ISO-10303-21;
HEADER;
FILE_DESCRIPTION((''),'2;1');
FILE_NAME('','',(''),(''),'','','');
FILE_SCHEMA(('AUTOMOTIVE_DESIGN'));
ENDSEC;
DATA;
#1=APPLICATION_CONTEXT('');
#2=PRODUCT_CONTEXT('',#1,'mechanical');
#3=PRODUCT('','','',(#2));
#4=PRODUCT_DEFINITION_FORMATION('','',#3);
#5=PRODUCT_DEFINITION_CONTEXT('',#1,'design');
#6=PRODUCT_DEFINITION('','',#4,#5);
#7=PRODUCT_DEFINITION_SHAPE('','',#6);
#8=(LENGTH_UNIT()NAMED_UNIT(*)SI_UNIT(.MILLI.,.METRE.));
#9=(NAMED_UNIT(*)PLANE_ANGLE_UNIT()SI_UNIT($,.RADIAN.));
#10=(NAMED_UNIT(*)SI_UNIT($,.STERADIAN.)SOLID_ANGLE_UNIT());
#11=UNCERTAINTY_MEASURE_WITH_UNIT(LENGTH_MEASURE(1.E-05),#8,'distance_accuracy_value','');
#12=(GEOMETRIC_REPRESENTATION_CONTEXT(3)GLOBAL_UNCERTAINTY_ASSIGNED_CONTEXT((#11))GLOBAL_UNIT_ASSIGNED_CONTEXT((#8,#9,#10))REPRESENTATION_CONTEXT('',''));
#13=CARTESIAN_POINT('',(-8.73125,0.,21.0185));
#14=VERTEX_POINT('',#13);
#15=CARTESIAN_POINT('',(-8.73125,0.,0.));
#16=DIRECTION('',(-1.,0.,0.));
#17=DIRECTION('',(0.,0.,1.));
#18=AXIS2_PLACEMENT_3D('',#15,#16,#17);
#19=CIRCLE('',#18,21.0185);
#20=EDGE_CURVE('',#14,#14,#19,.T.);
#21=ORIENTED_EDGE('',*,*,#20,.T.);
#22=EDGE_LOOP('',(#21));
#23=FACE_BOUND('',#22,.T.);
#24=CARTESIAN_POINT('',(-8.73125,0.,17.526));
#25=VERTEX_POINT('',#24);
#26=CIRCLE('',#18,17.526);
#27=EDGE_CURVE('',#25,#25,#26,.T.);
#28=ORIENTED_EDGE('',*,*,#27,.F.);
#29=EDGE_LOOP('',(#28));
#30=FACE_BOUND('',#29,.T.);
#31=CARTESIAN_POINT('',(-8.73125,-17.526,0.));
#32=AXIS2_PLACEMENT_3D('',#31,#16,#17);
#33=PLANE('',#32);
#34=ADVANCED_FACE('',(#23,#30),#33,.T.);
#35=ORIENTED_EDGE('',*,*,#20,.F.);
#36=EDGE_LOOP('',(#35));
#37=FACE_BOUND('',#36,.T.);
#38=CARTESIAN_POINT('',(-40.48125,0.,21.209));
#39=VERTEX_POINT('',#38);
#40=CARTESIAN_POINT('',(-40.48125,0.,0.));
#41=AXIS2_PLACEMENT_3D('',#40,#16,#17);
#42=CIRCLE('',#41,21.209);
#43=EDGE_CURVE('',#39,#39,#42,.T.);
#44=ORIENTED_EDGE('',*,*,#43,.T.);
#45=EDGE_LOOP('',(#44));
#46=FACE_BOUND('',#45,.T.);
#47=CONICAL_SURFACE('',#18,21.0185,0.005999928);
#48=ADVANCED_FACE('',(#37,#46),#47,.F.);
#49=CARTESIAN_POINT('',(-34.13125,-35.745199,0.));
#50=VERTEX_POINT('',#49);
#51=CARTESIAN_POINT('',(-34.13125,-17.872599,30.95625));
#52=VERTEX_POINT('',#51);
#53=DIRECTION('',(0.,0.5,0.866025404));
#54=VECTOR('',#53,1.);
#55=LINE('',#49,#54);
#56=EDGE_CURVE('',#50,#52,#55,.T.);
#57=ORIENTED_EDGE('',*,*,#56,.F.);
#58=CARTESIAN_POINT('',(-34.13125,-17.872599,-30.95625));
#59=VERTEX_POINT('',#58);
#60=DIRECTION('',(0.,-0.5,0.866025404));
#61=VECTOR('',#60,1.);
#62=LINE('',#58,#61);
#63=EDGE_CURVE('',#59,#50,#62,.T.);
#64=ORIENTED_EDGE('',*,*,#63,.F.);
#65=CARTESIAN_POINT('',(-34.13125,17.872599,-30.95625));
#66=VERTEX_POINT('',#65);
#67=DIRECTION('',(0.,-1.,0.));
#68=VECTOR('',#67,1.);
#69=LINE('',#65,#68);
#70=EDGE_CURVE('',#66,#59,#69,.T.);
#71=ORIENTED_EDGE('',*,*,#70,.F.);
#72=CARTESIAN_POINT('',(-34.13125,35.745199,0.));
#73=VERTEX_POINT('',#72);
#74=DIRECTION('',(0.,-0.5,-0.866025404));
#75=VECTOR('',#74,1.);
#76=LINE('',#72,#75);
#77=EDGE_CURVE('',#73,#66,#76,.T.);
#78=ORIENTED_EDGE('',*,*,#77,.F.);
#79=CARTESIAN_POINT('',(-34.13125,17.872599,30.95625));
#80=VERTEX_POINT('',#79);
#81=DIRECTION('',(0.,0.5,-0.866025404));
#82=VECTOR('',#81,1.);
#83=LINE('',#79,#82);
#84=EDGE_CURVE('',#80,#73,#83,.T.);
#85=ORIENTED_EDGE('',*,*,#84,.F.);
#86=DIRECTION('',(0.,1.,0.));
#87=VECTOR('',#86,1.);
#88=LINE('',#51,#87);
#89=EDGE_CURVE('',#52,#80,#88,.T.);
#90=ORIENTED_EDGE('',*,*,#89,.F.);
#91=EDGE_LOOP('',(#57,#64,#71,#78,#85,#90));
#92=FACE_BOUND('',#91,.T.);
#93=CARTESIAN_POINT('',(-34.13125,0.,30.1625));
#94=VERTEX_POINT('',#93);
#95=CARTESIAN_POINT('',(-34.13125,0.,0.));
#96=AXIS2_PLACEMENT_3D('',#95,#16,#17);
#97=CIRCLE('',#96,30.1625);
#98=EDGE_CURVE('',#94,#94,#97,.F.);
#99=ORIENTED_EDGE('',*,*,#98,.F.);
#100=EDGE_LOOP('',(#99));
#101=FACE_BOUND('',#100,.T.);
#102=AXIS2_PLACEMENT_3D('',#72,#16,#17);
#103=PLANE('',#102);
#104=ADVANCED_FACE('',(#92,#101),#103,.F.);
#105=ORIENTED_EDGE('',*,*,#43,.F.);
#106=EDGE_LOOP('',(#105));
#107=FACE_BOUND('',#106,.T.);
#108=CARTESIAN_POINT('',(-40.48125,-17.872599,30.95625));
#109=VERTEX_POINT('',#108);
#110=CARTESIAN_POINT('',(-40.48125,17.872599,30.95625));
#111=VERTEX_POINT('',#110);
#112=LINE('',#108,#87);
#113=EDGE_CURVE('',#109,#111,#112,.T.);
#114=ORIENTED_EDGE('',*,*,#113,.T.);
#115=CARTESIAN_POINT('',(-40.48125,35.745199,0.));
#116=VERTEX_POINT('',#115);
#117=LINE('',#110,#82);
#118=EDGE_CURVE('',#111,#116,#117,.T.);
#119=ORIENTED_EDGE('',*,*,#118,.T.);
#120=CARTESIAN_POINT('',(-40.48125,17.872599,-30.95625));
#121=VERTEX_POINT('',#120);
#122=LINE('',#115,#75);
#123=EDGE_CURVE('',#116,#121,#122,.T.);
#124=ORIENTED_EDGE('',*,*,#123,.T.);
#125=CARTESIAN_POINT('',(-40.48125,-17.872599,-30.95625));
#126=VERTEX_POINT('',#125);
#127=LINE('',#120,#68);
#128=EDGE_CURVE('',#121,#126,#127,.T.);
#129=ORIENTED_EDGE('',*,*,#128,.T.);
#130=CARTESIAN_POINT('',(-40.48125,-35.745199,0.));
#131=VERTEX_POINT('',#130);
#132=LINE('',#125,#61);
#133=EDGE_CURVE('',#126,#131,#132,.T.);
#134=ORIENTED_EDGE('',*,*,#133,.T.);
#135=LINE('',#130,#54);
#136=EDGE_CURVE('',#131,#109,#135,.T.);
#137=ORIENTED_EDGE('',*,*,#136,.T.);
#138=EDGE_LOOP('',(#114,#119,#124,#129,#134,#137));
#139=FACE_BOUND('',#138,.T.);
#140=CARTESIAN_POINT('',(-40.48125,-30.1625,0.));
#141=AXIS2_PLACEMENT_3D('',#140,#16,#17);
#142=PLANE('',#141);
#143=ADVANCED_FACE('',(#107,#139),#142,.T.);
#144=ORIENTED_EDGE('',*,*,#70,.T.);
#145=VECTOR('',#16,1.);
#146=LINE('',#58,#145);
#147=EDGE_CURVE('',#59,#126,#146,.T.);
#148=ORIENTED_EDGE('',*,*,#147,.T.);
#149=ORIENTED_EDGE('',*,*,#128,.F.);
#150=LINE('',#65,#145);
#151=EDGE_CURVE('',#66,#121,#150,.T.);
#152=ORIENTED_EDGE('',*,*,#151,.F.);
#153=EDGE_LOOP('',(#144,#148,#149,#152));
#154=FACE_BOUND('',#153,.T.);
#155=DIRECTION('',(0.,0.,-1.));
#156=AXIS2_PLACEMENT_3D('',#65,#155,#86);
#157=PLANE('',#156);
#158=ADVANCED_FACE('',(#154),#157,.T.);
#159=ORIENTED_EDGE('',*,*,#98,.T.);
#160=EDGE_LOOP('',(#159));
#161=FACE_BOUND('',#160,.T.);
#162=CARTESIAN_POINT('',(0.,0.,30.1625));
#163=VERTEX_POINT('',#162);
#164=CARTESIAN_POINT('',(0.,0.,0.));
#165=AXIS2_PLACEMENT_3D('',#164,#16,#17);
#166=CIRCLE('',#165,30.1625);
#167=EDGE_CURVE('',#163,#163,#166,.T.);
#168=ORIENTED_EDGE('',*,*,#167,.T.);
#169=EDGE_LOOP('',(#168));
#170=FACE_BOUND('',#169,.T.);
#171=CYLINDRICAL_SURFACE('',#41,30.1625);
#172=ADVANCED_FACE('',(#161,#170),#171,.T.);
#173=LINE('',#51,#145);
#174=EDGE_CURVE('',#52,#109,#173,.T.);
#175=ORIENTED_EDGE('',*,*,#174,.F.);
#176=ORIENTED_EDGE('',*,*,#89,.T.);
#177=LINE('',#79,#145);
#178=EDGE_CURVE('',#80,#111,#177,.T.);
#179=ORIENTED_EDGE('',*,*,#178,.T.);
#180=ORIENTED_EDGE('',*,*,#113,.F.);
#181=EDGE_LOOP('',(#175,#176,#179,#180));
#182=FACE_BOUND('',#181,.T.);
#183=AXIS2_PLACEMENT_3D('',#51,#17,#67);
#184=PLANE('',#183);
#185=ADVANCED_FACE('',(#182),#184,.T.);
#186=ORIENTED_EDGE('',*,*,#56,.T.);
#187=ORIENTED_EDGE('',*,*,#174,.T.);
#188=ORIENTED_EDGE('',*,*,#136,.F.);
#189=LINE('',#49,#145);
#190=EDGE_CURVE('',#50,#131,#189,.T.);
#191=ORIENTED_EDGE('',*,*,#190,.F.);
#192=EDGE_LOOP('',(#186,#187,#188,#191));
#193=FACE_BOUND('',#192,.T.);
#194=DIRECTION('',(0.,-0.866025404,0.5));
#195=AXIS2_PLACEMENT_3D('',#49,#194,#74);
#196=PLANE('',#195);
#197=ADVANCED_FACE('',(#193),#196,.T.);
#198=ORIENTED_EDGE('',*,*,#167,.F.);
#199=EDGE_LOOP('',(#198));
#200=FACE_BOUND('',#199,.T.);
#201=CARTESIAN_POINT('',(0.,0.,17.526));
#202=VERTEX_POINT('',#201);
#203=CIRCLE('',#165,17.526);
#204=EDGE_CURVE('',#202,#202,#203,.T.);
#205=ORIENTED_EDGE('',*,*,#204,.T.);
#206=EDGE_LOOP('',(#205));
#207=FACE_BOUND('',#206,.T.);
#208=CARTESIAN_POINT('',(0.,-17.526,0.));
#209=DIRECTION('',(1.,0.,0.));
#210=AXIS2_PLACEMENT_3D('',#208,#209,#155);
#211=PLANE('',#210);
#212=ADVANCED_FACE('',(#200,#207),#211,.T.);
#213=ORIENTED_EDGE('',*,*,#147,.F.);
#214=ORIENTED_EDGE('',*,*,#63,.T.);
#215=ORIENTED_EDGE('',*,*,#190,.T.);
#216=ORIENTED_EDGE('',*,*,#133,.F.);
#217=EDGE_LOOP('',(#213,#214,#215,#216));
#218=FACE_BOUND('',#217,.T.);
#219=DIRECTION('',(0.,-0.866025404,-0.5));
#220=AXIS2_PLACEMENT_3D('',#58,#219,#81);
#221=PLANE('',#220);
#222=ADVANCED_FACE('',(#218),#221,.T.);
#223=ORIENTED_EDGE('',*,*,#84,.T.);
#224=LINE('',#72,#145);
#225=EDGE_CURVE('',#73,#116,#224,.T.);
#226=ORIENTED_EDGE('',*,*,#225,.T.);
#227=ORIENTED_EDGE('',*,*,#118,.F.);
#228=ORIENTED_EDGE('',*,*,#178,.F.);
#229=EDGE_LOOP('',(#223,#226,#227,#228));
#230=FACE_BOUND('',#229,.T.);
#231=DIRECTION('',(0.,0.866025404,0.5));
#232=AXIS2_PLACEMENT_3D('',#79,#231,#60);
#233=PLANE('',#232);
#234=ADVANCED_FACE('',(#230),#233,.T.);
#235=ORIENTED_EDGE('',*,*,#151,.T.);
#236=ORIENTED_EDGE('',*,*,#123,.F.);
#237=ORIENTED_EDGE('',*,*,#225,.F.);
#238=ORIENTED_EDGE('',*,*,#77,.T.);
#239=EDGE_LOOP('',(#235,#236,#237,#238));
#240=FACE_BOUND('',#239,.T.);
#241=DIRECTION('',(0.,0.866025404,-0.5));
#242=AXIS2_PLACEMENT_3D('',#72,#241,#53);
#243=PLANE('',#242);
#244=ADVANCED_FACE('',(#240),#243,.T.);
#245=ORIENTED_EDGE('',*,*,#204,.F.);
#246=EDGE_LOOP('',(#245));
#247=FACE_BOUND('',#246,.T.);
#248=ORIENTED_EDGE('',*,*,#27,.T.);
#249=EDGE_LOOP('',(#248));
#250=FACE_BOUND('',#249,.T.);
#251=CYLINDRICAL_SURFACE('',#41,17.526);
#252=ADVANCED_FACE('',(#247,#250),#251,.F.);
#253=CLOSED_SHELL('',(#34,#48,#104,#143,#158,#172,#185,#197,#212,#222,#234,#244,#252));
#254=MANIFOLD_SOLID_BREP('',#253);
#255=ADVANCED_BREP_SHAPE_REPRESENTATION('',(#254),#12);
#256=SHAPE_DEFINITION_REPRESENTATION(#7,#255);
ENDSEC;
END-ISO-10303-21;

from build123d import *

# Parameters (mm, degrees)
SKETCH2_R           = 21.209
BOSS_EXTRUDE1_DEPTH = 6.35


with BuildPart() as part:
    # Sketch1 → Revolve1 (revolve)
    with BuildSketch(Plane.XY):
        Polygon((-40.48125, -30.1625), (0, -30.1625), (0, -17.526), (-8.73125, -17.526), (-8.73125, -21.0185), (-40.48125, -21.209), align=None)
    revolve(axis=Axis((-40.48125, 0, 0), (1, 0, 0)))

    # Sketch2 → Boss-Extrude1 (add)
    with BuildSketch(Plane.ZY.offset(40.48125)):
        Polygon((0, 35.745198541), (-30.95625, 17.872599271), (-30.95625, -17.872599271), (0, -35.745198541), (30.95625, -17.872599271), (30.95625, 17.872599271), align=None)
        Circle(SKETCH2_R, mode=Mode.SUBTRACT)
    extrude(amount=-BOSS_EXTRUDE1_DEPTH)


solid = part.part
